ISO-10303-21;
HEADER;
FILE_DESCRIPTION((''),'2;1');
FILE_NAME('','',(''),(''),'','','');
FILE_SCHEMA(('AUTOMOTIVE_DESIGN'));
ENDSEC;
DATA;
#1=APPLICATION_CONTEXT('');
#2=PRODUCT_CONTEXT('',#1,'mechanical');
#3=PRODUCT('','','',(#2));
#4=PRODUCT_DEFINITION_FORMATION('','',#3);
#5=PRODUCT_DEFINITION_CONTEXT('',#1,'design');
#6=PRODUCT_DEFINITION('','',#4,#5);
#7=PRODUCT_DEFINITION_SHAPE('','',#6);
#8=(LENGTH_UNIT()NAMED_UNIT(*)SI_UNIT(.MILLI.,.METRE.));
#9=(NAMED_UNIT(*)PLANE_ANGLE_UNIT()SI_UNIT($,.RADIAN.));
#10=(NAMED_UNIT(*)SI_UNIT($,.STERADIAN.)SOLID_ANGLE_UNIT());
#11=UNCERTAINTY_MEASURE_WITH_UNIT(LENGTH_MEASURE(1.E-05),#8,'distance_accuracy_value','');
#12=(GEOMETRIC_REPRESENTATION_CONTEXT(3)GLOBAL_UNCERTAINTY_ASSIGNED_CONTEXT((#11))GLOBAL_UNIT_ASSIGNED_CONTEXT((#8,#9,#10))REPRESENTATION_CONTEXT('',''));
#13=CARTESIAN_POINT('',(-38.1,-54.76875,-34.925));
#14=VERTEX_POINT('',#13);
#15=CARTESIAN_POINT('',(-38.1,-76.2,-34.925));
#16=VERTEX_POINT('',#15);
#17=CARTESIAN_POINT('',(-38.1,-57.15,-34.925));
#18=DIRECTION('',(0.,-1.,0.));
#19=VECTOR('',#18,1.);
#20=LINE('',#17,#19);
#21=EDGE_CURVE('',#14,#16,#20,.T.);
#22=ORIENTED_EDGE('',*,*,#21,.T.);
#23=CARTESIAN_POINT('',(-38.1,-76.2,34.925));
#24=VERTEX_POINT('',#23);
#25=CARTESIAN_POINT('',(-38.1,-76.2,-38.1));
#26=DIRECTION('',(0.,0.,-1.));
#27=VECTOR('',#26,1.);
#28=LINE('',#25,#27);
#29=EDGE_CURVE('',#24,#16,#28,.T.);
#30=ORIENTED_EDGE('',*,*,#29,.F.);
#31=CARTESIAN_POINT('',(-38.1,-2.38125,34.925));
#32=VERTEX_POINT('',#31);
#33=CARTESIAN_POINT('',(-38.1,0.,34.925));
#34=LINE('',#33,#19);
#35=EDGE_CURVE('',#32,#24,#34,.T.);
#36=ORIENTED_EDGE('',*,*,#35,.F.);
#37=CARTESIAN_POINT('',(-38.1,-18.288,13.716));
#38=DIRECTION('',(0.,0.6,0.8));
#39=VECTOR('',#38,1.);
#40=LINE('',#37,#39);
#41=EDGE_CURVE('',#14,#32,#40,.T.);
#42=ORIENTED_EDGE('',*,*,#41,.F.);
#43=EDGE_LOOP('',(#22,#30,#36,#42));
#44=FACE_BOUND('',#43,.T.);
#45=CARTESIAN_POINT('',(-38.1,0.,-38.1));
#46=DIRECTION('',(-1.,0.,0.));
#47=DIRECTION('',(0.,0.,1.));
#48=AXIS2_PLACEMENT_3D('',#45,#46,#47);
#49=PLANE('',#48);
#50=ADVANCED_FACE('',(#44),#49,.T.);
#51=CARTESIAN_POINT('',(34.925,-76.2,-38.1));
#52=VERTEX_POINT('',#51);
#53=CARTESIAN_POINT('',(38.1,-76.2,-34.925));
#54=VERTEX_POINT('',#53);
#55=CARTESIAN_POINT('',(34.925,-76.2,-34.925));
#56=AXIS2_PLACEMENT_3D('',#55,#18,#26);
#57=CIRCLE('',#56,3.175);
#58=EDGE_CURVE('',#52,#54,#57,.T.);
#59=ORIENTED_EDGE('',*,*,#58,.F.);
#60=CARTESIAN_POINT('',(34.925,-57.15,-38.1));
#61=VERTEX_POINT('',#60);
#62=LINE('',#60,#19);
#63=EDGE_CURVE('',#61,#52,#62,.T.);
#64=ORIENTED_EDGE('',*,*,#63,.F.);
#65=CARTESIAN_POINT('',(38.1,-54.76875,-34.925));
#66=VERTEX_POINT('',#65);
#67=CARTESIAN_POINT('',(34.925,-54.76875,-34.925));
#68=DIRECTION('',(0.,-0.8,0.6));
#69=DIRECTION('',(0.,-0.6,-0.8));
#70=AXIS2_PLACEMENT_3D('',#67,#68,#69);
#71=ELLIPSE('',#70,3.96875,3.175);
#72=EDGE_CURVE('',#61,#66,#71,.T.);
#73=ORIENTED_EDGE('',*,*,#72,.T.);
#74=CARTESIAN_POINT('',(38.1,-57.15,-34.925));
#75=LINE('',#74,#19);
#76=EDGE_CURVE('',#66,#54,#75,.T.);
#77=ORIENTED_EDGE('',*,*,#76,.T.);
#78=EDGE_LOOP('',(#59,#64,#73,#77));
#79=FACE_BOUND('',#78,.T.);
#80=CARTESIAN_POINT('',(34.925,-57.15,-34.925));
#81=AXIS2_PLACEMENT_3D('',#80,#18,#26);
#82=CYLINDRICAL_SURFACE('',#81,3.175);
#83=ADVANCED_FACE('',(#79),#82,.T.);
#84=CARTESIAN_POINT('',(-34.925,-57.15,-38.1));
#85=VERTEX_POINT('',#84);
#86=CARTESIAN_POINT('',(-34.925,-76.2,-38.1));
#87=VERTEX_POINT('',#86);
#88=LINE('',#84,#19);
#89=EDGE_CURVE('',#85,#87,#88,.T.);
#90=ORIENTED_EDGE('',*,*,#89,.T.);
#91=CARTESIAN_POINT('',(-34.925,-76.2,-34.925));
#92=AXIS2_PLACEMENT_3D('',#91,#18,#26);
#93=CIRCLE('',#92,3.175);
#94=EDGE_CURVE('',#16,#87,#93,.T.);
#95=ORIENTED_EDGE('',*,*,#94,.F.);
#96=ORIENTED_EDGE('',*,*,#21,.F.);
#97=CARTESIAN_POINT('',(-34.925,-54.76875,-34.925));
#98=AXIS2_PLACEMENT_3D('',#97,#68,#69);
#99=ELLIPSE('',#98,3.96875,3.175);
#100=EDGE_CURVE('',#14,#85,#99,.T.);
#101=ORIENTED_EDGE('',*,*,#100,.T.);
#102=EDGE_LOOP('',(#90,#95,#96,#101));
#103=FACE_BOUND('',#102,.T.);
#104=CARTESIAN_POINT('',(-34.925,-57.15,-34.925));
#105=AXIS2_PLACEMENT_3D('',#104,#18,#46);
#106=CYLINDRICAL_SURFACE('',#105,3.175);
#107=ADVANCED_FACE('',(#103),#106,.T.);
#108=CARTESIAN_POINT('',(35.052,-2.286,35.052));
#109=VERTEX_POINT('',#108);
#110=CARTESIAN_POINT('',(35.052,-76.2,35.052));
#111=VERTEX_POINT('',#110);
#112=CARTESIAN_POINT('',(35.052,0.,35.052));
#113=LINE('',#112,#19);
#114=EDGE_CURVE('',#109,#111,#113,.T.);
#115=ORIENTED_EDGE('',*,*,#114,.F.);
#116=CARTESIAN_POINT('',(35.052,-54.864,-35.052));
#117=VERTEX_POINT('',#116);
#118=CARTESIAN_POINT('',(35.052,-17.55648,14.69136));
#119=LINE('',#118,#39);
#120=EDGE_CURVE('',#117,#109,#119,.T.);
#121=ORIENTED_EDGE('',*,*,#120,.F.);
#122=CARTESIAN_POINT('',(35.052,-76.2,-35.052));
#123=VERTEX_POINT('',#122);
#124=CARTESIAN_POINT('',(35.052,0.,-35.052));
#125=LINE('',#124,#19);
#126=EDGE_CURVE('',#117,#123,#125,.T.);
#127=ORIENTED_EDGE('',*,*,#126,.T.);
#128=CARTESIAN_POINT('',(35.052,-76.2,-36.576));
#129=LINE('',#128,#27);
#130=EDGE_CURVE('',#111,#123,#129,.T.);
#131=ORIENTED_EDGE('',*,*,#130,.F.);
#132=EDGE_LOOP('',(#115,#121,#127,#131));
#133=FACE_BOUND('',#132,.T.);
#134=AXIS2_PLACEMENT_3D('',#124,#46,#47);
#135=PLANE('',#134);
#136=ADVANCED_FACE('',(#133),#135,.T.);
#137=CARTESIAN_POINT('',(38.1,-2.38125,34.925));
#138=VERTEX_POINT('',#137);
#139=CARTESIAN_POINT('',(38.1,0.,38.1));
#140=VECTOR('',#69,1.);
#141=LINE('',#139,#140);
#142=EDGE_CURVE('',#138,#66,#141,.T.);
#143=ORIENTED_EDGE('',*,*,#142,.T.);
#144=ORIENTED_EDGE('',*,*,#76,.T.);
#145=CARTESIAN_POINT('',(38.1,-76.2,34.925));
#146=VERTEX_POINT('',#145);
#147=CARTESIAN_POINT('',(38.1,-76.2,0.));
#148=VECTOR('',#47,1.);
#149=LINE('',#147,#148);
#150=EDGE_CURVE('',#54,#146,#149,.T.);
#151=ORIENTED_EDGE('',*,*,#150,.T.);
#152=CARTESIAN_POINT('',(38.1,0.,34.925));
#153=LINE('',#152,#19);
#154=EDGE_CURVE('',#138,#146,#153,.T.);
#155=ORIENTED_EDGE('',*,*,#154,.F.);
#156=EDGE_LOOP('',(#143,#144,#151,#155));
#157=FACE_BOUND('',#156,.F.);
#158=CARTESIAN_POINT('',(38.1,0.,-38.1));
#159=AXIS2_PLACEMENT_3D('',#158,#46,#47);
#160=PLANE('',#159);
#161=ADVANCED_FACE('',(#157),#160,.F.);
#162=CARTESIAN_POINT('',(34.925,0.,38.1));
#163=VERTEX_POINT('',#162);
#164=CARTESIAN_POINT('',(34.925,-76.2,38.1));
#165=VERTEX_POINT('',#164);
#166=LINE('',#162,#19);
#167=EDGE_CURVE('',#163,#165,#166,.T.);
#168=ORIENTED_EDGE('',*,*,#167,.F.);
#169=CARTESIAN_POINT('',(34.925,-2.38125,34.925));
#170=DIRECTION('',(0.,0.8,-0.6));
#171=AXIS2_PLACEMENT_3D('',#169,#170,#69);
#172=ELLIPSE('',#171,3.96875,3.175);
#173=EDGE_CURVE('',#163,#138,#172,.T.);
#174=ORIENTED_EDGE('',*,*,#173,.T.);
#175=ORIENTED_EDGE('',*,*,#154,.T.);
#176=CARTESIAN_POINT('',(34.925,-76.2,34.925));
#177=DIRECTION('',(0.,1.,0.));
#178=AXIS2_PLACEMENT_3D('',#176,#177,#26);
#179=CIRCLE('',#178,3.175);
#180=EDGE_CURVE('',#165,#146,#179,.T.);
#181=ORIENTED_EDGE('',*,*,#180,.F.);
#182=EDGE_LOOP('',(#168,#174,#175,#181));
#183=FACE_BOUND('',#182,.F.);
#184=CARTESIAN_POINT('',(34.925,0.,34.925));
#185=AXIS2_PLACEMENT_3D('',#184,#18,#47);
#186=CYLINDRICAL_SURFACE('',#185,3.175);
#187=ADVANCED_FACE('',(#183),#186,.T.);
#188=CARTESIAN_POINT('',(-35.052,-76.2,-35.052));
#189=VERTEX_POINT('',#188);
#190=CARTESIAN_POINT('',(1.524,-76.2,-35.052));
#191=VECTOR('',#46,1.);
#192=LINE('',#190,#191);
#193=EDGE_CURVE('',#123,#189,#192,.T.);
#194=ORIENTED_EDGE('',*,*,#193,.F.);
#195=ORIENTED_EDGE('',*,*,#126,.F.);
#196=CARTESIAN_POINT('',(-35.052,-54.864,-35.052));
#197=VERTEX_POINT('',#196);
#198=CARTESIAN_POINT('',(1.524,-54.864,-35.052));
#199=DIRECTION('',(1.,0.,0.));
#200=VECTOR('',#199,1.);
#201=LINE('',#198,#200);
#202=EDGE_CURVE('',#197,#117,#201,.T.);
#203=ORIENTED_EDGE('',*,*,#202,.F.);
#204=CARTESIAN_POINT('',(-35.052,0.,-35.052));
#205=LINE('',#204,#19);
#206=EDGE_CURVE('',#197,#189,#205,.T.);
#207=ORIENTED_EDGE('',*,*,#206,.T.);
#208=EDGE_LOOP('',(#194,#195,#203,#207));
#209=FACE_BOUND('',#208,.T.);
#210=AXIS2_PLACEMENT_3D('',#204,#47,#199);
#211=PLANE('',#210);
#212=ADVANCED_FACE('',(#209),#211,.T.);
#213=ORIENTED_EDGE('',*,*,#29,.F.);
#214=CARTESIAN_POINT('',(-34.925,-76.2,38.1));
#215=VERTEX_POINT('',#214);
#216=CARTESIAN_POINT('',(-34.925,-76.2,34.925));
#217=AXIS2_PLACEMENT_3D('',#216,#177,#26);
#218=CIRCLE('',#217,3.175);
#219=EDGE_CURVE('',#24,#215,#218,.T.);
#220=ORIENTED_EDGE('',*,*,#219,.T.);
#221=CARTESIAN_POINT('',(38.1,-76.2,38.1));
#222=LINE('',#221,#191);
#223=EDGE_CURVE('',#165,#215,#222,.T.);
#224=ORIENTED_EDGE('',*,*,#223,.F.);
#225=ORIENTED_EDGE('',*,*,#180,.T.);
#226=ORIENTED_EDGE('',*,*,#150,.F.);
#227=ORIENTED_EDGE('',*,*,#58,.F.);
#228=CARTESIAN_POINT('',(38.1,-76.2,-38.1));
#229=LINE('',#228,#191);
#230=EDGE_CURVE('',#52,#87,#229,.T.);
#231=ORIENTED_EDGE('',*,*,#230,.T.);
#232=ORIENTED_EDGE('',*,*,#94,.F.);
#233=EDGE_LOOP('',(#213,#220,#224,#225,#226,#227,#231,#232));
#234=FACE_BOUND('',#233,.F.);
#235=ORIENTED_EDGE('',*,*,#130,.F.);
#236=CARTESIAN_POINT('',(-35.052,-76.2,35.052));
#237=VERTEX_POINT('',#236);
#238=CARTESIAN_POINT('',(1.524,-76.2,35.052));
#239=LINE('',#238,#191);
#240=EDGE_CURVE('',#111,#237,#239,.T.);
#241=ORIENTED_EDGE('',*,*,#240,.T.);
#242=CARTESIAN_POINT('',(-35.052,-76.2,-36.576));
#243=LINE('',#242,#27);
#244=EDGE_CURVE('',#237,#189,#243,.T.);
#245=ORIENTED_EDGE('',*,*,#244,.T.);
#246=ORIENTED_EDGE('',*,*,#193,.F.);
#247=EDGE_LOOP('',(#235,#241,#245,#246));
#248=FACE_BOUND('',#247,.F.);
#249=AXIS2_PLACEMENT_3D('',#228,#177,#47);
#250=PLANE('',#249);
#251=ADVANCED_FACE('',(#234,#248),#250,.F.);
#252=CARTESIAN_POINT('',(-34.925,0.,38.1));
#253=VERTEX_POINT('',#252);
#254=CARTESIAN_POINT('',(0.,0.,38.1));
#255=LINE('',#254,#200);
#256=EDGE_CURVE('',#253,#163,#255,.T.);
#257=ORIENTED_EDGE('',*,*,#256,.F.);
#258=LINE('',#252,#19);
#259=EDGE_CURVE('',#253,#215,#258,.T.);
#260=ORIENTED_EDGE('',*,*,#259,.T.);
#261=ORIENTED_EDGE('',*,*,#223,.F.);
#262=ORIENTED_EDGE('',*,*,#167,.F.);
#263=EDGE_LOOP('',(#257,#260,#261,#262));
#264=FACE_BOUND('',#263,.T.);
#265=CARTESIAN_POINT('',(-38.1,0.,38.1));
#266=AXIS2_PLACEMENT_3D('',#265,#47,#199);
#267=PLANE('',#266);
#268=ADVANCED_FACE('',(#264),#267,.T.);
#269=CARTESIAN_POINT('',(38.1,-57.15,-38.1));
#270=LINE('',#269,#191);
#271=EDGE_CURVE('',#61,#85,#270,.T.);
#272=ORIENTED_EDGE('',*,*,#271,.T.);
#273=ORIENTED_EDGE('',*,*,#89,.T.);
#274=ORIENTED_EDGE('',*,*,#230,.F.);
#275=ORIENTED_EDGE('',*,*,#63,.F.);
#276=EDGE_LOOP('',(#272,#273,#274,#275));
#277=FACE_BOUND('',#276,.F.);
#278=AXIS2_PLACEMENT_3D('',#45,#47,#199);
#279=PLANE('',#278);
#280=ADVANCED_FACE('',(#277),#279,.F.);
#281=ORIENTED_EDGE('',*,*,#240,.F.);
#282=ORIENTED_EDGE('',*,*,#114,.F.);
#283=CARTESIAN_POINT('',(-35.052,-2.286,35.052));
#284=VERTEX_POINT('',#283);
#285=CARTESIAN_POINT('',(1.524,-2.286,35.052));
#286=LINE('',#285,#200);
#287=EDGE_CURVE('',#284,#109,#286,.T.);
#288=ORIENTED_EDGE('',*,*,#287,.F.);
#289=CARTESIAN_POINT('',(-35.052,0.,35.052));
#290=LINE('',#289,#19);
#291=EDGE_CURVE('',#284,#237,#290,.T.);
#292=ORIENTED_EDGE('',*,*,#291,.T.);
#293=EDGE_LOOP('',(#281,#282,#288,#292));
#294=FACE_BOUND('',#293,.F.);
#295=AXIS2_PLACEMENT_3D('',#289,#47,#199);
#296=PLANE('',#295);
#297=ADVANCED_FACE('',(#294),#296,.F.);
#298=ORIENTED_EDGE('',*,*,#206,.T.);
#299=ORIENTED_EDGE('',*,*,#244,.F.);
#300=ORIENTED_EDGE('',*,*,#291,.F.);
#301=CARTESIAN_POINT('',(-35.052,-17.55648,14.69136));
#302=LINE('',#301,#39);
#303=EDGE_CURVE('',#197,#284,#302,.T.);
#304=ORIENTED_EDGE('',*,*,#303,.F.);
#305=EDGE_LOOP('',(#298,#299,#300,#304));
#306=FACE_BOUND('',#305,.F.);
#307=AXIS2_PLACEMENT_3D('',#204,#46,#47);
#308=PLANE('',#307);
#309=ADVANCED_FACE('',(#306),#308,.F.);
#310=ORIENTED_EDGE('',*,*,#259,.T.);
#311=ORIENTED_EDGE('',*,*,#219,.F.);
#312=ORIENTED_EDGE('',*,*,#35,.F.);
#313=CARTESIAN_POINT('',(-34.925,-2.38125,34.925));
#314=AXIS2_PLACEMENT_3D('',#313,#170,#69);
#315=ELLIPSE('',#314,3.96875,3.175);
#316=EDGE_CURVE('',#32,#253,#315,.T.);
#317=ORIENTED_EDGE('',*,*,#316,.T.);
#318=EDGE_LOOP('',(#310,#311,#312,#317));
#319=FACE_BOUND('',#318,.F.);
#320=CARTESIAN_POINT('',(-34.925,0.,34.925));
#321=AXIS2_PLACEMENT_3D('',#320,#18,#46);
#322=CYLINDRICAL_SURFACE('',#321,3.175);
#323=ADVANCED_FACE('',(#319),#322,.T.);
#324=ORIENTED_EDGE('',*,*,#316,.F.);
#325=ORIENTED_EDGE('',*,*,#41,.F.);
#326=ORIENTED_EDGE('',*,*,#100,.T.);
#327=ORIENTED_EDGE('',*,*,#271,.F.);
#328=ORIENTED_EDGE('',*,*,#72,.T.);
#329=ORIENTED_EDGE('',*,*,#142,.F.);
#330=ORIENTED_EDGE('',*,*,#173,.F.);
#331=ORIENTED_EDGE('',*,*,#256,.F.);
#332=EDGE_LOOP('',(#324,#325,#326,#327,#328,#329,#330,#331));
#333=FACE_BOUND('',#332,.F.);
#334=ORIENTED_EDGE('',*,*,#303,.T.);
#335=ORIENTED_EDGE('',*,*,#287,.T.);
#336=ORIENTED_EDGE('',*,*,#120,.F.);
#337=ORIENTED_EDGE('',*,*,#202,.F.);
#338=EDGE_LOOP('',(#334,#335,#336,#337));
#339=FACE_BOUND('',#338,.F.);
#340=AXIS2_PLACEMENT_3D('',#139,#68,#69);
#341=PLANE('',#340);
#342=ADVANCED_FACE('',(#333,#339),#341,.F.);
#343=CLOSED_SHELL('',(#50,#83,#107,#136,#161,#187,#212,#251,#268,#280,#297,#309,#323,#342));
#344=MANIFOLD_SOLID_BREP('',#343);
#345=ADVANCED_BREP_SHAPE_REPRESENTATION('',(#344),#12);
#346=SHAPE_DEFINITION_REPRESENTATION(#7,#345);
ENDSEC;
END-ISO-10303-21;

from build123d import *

# Parameters (mm, degrees)
F0_W     = 76.2
F0_H     = 76.2
F0_W_2   = 70.104
F0_H_2   = 70.104
F1_DEPTH = 241.3
F3_DEPTH = 76.201
F4_W     = 165.1
F4_H     = 76.2
F5_DEPTH = 76.201
F6_R     = 3.175


with BuildPart() as f1:
    # F0 (on Front) → F1 (new body)
    with BuildSketch(Plane.XZ):
        Rectangle(F0_W, F0_H)
        Rectangle(F0_W_2, F0_H_2, mode=Mode.SUBTRACT)
    extrude(amount=F1_DEPTH)

    # F2 (on face) → F3 (cut, through all)
    with BuildSketch(Plane.YZ.offset(38.1)):
        Polygon((0, -38.1), (0, 38.1), (-57.15, -38.1), align=None)
    extrude(amount=-F3_DEPTH, mode=Mode.SUBTRACT)

    # F4 (on face) → F5 (cut, through all)
    with BuildSketch(Plane.YZ.offset(38.1)):
        with Locations((-158.75, 0)):
            Rectangle(F4_W, F4_H)
    extrude(amount=-F5_DEPTH, mode=Mode.SUBTRACT)

    # F6
    f6_edges = [f1.edges().sort_by_distance(p)[0] for p in [
        (38.1, -38.1, 38.1),
        (-38.1, -38.1, 38.1),
        (-38.1, -66.675, -38.1),
        (38.1, -66.675, -38.1),
    ]]
    fillet(f6_edges, radius=F6_R)


solid = f1.part
